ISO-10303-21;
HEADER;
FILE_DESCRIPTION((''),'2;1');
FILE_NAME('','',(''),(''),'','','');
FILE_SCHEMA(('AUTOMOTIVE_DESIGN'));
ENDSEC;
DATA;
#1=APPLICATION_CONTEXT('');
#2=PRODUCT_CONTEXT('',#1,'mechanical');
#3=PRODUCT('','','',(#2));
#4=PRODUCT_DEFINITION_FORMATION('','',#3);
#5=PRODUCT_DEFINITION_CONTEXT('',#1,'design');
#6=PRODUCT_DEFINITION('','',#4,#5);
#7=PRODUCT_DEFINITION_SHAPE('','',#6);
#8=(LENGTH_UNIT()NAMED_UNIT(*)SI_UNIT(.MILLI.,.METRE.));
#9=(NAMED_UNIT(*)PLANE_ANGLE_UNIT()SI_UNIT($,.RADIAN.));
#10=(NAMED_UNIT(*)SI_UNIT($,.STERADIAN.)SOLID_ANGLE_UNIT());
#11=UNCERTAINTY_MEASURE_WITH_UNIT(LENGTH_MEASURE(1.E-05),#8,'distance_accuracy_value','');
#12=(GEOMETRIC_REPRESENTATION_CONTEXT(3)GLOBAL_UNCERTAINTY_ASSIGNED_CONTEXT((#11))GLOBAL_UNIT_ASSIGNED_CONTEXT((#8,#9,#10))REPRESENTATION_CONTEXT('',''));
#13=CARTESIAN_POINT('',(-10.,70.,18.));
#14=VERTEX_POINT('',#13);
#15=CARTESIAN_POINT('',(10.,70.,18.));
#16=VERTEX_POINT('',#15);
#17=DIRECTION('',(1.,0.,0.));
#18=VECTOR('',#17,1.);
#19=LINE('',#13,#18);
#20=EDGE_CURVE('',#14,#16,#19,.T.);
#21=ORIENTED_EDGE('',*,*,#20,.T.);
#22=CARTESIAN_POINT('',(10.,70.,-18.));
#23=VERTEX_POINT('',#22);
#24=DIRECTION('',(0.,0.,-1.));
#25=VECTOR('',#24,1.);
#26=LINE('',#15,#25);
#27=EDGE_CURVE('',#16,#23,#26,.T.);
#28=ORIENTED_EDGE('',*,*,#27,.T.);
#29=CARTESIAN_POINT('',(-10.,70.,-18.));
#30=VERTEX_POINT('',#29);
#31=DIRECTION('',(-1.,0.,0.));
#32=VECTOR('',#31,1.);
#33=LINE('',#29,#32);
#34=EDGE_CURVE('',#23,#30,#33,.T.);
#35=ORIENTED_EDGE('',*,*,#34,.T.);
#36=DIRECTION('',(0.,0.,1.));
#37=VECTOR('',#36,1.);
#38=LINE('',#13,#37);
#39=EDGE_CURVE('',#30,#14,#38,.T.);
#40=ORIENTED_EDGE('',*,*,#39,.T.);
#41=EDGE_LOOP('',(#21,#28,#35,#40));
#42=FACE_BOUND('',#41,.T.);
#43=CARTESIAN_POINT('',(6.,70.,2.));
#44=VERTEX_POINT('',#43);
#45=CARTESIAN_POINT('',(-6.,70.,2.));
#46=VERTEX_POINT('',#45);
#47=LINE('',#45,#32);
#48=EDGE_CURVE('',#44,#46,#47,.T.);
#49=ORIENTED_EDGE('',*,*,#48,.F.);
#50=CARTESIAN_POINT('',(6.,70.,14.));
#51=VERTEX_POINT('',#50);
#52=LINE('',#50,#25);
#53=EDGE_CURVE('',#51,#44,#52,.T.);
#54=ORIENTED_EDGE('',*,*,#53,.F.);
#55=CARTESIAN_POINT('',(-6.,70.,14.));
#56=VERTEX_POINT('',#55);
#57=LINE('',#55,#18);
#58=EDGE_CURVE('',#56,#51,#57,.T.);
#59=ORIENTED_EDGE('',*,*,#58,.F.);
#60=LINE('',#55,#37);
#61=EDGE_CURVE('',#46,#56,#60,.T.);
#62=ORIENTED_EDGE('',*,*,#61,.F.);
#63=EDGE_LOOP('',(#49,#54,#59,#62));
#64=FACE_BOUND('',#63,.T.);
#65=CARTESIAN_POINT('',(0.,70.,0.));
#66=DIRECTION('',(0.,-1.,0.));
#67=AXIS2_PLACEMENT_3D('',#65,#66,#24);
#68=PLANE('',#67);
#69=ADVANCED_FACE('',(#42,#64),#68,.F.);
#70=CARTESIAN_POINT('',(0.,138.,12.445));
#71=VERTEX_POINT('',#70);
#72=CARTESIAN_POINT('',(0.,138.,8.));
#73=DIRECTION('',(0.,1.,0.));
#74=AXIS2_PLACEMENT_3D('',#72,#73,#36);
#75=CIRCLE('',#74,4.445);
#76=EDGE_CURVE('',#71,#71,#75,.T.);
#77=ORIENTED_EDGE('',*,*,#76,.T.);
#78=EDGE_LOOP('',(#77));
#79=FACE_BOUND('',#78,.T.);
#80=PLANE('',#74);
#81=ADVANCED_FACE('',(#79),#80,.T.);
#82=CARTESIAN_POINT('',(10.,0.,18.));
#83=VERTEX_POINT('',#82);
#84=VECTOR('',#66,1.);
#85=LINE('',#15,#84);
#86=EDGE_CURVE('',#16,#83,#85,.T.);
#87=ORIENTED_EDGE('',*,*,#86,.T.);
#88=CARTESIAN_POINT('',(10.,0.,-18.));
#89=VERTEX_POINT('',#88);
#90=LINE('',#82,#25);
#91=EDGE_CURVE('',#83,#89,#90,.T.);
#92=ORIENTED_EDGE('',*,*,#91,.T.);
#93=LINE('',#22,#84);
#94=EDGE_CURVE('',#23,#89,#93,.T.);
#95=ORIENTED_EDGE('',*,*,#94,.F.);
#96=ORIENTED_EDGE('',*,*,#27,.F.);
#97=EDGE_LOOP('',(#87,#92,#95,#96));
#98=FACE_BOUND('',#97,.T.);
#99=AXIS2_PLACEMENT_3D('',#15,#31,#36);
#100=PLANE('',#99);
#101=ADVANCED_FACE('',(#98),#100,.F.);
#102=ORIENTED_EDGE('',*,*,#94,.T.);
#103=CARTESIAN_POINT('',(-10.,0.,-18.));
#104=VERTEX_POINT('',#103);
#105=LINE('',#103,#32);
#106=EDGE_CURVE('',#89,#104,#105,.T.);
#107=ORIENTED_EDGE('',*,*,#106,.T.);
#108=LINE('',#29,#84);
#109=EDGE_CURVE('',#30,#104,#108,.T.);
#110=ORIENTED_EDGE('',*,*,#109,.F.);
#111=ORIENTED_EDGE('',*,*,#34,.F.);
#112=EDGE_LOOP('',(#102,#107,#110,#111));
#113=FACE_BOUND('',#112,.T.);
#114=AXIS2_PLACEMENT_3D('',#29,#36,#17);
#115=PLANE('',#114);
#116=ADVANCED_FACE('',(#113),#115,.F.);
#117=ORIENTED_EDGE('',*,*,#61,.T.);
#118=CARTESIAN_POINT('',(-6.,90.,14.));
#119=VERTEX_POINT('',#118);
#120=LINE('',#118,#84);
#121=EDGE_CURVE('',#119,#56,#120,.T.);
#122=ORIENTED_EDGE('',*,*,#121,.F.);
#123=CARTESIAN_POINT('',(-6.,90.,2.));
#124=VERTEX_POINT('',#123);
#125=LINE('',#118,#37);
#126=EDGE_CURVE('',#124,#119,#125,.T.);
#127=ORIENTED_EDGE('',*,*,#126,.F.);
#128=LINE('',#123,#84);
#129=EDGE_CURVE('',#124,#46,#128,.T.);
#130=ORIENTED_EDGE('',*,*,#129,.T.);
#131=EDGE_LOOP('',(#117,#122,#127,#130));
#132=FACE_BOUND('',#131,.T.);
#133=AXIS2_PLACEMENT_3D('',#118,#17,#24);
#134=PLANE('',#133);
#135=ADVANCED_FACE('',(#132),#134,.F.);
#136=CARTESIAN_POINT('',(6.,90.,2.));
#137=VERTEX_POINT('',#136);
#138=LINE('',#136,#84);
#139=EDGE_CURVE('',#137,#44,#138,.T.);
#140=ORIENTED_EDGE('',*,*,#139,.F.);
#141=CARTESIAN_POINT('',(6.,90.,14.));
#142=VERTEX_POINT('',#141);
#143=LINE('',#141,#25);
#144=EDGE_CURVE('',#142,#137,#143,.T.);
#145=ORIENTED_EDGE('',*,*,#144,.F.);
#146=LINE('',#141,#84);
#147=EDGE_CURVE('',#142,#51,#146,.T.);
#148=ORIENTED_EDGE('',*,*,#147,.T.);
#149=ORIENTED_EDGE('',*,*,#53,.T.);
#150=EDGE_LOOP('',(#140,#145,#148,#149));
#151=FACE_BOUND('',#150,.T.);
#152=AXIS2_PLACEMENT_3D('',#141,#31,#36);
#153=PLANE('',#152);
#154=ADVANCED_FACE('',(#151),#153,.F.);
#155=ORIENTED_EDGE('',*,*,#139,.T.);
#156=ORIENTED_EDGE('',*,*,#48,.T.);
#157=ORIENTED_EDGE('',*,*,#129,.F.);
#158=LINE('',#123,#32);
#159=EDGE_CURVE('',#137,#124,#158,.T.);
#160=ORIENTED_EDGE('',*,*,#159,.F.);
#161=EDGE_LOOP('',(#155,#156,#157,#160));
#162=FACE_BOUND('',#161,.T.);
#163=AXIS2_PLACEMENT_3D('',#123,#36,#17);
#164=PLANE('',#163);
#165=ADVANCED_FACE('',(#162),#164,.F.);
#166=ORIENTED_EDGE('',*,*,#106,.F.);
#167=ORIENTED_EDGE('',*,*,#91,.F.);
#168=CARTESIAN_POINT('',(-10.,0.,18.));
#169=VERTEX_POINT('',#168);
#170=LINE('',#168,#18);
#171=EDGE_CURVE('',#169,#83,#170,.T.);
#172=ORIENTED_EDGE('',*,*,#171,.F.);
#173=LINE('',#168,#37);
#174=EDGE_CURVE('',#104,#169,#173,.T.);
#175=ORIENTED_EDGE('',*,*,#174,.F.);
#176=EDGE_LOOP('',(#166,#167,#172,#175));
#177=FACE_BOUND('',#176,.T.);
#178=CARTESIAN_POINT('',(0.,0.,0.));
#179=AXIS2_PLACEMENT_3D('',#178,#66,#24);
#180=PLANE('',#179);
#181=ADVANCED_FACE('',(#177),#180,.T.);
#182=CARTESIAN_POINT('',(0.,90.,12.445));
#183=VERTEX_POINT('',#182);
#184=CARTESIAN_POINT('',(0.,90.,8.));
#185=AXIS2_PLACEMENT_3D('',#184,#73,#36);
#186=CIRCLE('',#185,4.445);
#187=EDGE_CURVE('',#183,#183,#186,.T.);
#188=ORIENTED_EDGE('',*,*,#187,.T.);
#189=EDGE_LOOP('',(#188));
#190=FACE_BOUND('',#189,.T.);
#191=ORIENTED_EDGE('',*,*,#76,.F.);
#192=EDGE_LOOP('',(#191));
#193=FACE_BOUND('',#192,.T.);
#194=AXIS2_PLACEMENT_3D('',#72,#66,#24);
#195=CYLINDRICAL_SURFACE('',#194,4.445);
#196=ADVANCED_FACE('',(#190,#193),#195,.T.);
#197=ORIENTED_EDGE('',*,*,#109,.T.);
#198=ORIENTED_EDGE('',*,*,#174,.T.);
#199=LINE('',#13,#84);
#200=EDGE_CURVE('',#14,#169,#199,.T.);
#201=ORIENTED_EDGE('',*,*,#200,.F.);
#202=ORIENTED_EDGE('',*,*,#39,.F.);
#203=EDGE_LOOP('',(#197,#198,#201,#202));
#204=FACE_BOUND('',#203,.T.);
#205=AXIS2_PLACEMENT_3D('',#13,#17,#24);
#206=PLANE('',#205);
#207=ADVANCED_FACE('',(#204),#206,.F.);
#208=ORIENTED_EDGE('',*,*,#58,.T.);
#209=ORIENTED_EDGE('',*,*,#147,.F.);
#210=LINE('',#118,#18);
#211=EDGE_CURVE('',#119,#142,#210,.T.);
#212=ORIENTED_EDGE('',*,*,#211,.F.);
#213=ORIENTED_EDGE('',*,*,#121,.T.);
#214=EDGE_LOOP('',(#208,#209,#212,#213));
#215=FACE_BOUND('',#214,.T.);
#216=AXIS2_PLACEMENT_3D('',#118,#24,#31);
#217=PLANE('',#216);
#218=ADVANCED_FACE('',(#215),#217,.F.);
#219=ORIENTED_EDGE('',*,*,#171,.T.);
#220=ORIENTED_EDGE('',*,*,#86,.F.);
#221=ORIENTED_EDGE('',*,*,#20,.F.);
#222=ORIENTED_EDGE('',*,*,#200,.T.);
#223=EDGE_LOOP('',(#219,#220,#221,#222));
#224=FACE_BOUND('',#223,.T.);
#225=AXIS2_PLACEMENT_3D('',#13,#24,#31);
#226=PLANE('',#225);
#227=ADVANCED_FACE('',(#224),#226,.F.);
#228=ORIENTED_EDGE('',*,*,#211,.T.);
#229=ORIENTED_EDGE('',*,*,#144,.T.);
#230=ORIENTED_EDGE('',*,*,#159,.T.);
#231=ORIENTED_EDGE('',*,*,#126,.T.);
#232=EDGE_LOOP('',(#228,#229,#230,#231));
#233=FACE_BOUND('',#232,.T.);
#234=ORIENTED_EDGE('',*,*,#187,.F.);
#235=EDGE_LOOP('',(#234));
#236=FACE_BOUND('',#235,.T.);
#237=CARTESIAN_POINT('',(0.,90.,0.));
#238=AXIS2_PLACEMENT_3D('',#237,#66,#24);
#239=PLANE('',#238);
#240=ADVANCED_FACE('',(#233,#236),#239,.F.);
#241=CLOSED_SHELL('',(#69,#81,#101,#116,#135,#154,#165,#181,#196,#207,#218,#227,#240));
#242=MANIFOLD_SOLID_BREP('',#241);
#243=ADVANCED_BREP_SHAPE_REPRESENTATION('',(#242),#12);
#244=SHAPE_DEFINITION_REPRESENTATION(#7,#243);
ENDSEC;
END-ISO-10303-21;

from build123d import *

# Parameters (mm, degrees)
SKETCH1_W           = 20
SKETCH1_H           = 36
BOSS_EXTRUDE1_DEPTH = 70
SKETCH2_W           = 12
SKETCH2_H           = 12
BOSS_EXTRUDE2_DEPTH = 20
SKETCH3_R           = 4.445
BOSS_EXTRUDE3_DEPTH = 48


with BuildPart() as part:
    # Sketch1 → Boss-Extrude1 (new body)
    with BuildSketch(Plane(origin=(0, 0, 0), x_dir=(1, 0, 0), z_dir=(0, 1, 0))):
        Rectangle(SKETCH1_W, SKETCH1_H)
    extrude(amount=BOSS_EXTRUDE1_DEPTH)

    # Sketch2 → Boss-Extrude2 (add)
    with BuildSketch(Plane(origin=(0, 70, 0), x_dir=(1, 0, 0), z_dir=(0, 1, 0))):
        with Locations((0, -8)):
            Rectangle(SKETCH2_W, SKETCH2_H)
    extrude(amount=BOSS_EXTRUDE2_DEPTH)

    # Sketch3 → Boss-Extrude3 (add)
    with BuildSketch(Plane(origin=(0, 90, 0), x_dir=(1, 0, 0), z_dir=(0, 1, 0))):
        with Locations((0, -8)):
            Circle(SKETCH3_R)
    extrude(amount=BOSS_EXTRUDE3_DEPTH)


solid = part.part
